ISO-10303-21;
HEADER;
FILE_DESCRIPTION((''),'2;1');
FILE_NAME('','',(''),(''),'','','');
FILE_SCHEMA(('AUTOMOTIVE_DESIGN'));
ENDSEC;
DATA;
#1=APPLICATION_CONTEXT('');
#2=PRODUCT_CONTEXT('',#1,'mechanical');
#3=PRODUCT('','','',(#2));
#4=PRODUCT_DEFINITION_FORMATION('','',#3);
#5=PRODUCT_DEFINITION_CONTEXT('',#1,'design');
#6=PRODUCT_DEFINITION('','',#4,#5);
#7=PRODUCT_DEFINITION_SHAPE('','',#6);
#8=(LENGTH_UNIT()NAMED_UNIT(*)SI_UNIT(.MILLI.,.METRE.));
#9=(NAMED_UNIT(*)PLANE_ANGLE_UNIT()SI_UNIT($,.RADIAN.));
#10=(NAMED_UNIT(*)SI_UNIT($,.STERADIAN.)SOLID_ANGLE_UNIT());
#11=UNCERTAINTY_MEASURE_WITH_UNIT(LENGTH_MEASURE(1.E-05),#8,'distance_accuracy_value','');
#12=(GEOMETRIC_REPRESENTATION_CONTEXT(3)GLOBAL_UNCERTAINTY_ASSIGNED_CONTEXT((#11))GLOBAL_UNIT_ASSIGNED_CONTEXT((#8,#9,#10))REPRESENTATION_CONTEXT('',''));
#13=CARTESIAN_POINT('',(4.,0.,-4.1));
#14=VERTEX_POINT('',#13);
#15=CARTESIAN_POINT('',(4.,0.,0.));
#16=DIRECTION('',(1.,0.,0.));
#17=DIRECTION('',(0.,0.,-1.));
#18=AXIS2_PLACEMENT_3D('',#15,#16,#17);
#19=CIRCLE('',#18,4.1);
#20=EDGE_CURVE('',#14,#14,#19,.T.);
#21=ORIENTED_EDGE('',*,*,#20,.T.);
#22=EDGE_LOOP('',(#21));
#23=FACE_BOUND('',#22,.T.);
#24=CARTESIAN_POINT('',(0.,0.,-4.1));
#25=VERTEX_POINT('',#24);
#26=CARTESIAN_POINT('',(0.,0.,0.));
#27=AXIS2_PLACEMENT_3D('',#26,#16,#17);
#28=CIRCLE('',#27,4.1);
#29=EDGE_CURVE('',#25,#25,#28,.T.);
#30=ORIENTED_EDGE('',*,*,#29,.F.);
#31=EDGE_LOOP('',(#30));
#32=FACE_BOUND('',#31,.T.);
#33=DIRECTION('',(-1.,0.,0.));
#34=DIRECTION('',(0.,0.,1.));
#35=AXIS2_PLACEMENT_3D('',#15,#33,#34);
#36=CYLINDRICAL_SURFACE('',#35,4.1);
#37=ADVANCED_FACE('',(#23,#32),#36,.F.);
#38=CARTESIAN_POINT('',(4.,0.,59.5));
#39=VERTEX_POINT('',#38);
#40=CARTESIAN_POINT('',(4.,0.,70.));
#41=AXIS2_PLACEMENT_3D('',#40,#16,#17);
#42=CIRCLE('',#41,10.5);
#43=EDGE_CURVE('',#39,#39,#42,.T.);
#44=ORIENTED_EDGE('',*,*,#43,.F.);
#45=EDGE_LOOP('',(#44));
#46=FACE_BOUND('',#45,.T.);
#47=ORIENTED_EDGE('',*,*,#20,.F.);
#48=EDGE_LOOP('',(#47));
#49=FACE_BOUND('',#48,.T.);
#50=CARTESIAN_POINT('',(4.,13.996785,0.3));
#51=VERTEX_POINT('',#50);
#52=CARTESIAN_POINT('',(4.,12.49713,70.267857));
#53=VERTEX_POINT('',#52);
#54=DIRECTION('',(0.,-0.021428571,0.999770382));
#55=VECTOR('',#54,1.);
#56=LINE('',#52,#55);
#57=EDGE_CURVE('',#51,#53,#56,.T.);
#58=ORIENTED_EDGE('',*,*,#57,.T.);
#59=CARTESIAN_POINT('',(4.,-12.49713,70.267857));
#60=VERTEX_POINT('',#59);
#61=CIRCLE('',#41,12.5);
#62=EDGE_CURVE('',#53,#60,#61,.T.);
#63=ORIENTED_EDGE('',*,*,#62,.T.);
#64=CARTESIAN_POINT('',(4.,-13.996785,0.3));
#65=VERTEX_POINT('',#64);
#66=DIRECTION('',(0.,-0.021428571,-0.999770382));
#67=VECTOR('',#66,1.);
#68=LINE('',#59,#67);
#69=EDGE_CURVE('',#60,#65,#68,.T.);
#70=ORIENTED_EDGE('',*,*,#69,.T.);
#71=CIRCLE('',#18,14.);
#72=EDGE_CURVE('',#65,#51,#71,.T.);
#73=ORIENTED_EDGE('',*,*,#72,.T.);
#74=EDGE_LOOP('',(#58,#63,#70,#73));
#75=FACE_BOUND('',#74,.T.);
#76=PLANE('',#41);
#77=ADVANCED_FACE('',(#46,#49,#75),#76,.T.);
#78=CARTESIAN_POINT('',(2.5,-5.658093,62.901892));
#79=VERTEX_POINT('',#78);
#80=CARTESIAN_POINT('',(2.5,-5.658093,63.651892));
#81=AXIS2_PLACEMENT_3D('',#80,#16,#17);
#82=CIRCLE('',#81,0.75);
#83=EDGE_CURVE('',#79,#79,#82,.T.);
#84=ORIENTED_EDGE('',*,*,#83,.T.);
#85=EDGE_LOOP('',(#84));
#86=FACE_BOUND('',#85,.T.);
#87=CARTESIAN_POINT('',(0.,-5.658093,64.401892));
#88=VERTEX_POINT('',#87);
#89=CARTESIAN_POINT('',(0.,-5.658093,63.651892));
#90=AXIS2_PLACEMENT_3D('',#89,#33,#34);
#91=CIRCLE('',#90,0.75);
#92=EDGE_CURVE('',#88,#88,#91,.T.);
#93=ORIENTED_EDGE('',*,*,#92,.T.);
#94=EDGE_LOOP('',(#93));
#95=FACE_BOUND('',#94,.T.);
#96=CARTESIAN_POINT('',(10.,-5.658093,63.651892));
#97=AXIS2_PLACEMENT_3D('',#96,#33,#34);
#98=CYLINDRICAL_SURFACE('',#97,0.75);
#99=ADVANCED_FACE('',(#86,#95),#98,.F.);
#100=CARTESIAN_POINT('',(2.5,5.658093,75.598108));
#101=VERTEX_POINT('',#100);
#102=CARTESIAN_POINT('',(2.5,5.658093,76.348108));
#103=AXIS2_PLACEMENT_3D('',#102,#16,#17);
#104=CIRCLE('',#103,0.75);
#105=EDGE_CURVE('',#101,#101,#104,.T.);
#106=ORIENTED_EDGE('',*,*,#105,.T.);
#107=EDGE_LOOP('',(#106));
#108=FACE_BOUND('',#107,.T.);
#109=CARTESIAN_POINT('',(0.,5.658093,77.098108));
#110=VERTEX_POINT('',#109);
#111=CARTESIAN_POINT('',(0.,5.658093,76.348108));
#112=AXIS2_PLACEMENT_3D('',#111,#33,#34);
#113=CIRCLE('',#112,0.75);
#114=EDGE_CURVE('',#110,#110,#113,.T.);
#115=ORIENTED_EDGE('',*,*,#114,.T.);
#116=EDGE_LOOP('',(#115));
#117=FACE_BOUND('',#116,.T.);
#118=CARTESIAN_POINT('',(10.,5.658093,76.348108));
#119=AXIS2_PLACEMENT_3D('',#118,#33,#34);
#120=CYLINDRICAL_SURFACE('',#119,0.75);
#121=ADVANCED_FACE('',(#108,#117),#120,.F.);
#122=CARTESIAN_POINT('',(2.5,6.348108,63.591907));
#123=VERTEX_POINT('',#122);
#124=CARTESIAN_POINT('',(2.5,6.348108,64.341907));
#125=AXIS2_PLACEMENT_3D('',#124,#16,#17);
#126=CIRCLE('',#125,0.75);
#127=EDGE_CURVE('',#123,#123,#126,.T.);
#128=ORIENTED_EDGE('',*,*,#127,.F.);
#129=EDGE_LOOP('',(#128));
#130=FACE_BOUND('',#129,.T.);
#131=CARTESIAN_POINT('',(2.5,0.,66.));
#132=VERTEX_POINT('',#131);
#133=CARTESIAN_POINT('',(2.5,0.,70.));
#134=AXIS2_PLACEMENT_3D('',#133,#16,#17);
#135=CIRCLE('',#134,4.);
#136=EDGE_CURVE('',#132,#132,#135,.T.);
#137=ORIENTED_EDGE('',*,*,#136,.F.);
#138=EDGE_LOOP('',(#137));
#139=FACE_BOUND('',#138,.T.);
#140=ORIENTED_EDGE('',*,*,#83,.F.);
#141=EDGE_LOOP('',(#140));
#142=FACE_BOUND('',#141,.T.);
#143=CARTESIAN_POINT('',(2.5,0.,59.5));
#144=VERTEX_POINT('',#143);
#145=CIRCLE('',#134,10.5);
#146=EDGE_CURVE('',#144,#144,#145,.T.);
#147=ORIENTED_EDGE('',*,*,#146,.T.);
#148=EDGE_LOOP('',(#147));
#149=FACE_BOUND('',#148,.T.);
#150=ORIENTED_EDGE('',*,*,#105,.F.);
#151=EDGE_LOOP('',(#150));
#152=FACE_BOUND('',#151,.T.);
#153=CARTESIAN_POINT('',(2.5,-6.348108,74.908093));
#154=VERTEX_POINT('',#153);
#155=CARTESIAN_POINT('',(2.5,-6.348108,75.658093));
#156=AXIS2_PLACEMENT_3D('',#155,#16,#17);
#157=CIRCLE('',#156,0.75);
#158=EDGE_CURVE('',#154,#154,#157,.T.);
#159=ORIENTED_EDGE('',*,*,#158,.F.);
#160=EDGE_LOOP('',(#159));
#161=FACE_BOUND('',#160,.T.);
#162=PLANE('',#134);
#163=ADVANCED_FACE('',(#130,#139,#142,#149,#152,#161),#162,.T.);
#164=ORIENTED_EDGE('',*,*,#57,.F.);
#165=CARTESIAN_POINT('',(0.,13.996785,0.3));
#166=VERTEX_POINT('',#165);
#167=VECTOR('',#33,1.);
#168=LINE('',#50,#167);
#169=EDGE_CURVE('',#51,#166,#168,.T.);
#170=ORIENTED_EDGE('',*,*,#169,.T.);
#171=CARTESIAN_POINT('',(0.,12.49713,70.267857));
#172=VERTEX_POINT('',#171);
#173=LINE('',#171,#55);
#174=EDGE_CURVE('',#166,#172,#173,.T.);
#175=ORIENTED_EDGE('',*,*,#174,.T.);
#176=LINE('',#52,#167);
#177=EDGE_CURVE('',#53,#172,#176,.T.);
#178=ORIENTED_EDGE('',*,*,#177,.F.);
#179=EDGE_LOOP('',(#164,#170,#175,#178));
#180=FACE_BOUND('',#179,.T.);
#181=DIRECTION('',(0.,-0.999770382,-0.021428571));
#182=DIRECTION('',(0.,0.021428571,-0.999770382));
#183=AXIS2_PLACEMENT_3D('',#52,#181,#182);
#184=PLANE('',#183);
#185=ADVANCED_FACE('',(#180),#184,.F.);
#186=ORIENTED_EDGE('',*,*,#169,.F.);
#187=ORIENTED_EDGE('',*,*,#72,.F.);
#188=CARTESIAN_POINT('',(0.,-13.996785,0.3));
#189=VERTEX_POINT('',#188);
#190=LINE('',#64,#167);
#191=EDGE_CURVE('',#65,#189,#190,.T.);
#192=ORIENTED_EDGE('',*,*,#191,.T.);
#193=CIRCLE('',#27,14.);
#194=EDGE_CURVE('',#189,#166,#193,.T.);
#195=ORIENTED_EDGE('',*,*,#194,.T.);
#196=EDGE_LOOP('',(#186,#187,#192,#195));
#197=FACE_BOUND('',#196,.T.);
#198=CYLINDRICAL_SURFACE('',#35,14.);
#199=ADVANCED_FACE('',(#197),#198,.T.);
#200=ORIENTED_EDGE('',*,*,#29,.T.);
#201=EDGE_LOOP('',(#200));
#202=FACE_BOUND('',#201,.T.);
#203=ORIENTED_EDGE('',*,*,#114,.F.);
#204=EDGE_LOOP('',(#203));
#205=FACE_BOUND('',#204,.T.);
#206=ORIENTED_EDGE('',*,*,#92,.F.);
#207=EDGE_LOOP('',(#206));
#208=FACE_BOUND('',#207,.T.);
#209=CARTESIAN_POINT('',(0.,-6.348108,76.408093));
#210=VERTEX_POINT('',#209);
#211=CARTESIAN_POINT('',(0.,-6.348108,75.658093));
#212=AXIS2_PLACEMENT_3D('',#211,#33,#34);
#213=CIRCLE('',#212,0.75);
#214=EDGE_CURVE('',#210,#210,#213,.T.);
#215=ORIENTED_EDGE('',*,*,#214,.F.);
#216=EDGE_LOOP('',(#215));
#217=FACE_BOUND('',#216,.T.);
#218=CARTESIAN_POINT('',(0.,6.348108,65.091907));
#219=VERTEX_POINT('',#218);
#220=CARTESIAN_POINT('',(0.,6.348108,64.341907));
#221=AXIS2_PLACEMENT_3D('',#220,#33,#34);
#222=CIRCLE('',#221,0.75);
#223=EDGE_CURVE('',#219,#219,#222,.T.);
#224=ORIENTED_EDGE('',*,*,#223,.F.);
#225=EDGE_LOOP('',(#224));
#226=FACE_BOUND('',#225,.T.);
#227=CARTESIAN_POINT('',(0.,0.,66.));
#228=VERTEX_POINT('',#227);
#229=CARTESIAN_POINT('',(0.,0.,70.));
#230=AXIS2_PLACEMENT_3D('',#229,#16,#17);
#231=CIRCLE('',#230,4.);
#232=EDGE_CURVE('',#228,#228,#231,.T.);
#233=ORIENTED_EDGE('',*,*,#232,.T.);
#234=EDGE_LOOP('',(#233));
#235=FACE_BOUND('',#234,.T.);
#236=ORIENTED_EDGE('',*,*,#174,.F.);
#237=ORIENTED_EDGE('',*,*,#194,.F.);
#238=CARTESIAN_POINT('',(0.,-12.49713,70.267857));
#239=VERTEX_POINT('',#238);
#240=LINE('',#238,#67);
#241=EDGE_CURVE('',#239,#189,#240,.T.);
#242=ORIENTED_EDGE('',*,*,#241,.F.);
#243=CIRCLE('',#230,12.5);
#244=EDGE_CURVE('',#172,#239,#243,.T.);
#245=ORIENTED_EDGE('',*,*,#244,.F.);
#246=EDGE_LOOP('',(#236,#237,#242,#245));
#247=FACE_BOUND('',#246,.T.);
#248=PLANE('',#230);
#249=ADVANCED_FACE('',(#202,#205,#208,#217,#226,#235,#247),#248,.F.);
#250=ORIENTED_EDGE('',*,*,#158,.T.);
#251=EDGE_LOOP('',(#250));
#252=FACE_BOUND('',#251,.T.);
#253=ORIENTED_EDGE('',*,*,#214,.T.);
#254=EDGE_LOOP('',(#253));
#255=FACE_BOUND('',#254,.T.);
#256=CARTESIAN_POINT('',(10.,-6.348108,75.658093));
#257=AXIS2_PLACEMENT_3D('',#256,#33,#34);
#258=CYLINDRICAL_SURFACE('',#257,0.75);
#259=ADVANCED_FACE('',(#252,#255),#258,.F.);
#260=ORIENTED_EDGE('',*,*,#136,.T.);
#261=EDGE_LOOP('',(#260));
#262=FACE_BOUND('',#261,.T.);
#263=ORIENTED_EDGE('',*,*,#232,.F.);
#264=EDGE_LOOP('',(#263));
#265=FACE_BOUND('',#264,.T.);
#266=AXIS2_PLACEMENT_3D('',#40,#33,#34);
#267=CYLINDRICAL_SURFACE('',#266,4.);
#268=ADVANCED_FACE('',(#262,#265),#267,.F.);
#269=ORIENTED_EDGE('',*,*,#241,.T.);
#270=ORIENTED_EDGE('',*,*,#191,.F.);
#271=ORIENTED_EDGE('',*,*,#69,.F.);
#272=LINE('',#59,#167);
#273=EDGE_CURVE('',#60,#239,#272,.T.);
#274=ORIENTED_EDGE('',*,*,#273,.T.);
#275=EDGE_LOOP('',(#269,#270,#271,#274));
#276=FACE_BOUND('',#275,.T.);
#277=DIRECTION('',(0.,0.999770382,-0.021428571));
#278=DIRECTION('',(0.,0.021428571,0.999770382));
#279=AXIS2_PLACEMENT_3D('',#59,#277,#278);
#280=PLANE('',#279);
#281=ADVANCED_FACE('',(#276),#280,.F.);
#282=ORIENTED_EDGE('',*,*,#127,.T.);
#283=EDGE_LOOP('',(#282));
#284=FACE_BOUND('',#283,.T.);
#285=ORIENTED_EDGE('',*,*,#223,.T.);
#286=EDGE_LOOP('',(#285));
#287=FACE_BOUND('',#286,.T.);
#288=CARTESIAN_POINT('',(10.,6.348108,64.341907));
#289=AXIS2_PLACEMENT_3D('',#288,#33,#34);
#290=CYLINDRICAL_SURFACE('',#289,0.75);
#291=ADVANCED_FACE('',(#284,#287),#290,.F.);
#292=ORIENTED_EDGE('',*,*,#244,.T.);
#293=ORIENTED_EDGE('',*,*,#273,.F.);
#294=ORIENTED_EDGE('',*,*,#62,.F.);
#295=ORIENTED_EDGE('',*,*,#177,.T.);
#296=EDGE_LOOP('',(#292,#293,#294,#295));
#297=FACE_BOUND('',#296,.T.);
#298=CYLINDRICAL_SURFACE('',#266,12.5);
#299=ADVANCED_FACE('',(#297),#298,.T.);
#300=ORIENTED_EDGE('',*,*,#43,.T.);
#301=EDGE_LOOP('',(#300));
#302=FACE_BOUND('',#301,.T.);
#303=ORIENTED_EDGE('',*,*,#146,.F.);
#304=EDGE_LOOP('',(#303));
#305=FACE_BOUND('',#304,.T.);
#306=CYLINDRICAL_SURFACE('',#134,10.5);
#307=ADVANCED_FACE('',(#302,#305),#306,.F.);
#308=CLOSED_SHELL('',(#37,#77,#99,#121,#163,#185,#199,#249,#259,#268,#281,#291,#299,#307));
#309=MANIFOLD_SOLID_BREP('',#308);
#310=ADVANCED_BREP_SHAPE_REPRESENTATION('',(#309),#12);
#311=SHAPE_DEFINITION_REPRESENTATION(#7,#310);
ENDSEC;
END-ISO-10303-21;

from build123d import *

# Parameters (mm, degrees)
CROQUIS1_R              = 4.1
CROQUIS1_R_2            = 4
SALIENTE_EXTRUIR1_DEPTH = 4
CROQUIS2_R              = 10.5
CORTAR_EXTRUIR1_DEPTH   = 1.5
CROQUIS3_R              = 0.75
CORTAR_EXTRUIR2_DEPTH   = 10


with BuildPart() as part:
    # Croquis1 → Saliente-Extruir1 (new body)
    with BuildSketch(Plane(origin=(0, 0, 0), x_dir=(0, 0, -1), z_dir=(1, 0, 0))):
        with BuildLine():
            Line((-70.267857143, 12.497129773), (-0.3, 13.996785345))
            ThreePointArc((-0.3, 13.996785345), (14, 0), (-0.3, -13.996785345))
            Line((-0.3, -13.996785345), (-70.267857143, -12.497129773))
            ThreePointArc((-70.267857143, -12.497129773), (-82.5, 0), (-70.267857143, 12.497129773))
        make_face()
        Circle(CROQUIS1_R, mode=Mode.SUBTRACT)
        with Locations((-70, 0)):
            Circle(CROQUIS1_R_2, mode=Mode.SUBTRACT)
    extrude(amount=SALIENTE_EXTRUIR1_DEPTH)

    # Croquis2 → Cortar-Extruir1 (cut)
    with BuildSketch(Plane(origin=(4, 0, 0), x_dir=(0, 0, -1), z_dir=(1, 0, 0))):
        with Locations((-70, 0)):
            Circle(CROQUIS2_R)
    extrude(amount=-CORTAR_EXTRUIR1_DEPTH, mode=Mode.SUBTRACT)

    # Croquis3 → Cortar-Extruir2 (cut)
    with BuildSketch(Plane.ZY):
        with Locations((63.65189161, -5.658093307)):
            Circle(CROQUIS3_R)
        with Locations((76.34810839, 5.658093307)):
            Circle(CROQUIS3_R)
        with Locations((64.341906693, 6.34810839)):
            Circle(CROQUIS3_R)
        with Locations((75.658093307, -6.34810839)):
            Circle(CROQUIS3_R)
    extrude(amount=-CORTAR_EXTRUIR2_DEPTH, mode=Mode.SUBTRACT)


solid = part.part
